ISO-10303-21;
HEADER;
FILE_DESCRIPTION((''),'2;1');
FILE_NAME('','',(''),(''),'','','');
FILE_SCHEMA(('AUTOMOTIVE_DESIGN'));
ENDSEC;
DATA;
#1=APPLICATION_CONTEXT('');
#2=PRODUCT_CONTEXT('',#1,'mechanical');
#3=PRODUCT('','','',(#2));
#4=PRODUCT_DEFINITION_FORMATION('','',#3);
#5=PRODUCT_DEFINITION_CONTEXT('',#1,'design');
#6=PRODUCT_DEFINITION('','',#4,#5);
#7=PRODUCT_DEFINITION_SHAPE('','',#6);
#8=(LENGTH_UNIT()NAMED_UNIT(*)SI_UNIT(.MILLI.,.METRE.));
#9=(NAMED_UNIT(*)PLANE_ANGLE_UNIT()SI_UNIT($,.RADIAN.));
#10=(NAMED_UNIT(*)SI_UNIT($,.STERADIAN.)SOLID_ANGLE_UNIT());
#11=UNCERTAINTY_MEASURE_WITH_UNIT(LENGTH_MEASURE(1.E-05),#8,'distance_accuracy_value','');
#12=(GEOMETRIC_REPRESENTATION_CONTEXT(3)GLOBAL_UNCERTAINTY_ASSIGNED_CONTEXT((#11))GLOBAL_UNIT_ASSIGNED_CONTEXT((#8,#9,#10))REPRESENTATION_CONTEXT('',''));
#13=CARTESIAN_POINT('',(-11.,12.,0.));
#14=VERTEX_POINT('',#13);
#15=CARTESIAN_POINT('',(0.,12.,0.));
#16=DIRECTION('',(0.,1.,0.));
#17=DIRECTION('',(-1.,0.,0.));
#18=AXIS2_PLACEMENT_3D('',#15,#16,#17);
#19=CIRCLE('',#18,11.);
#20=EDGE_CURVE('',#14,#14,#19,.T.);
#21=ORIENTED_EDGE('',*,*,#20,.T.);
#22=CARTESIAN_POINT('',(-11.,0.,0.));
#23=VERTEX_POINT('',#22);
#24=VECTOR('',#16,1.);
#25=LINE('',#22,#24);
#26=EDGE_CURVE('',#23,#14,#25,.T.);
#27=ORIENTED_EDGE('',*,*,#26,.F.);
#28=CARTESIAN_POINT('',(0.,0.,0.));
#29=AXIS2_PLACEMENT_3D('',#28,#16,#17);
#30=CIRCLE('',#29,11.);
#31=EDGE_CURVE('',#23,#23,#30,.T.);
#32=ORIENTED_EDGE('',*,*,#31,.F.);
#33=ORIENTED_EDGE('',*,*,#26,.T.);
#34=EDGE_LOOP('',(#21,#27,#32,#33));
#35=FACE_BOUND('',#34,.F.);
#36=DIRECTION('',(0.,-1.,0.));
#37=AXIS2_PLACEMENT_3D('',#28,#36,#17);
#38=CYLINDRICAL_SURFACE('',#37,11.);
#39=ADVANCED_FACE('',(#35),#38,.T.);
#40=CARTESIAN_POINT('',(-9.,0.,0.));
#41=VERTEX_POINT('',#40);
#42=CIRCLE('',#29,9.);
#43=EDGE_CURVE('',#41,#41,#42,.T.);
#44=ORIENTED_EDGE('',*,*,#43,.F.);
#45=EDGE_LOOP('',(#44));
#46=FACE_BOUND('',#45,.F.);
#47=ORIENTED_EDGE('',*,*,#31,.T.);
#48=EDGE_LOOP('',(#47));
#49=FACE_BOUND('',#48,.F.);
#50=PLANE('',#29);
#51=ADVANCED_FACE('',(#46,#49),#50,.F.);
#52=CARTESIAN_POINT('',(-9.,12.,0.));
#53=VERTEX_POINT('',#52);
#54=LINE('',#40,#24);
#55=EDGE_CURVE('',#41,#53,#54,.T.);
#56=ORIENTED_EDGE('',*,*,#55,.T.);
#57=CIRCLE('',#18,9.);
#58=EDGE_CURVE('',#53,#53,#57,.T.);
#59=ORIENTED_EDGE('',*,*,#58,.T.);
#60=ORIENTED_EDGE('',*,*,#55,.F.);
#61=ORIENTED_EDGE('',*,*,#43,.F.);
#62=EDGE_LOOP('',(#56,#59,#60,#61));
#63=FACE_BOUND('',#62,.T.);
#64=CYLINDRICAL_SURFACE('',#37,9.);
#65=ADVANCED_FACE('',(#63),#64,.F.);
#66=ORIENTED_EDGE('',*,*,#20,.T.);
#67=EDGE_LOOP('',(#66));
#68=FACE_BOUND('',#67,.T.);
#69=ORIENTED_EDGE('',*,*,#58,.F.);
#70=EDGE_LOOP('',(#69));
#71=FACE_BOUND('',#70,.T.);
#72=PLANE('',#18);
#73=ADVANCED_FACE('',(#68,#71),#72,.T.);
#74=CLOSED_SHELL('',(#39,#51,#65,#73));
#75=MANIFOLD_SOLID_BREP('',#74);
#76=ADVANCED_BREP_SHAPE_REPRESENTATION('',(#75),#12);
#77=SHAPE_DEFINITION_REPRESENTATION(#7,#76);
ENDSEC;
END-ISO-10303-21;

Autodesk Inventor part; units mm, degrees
ref_plane "YZ Plane" through (0, 0, 0) normal (1, 0, 0) x (0, 1, 0)
ref_plane "XZ Plane" through (0, 0, 0) normal (0, 1, 0) x (-1, 0, 0)
ref_plane "XY Plane" through (0, 0, 0) normal (0, 0, 1) x (1, 0, 0)
sketch "スケッチ1" plane through (0, 0, 0) normal (0, 1, 0) x (-1, 0, 0)
  circle A0 centre (0, 0) radius 11
  circle A1 centre (0, 0) radius 9
  dimension "d0" = 2
  dimension "d1" = 18
extrude "押し出し1" add sketch "スケッチ1" along normal blind 12
properties part number "Tire" material "ゴム、シリコーン"
